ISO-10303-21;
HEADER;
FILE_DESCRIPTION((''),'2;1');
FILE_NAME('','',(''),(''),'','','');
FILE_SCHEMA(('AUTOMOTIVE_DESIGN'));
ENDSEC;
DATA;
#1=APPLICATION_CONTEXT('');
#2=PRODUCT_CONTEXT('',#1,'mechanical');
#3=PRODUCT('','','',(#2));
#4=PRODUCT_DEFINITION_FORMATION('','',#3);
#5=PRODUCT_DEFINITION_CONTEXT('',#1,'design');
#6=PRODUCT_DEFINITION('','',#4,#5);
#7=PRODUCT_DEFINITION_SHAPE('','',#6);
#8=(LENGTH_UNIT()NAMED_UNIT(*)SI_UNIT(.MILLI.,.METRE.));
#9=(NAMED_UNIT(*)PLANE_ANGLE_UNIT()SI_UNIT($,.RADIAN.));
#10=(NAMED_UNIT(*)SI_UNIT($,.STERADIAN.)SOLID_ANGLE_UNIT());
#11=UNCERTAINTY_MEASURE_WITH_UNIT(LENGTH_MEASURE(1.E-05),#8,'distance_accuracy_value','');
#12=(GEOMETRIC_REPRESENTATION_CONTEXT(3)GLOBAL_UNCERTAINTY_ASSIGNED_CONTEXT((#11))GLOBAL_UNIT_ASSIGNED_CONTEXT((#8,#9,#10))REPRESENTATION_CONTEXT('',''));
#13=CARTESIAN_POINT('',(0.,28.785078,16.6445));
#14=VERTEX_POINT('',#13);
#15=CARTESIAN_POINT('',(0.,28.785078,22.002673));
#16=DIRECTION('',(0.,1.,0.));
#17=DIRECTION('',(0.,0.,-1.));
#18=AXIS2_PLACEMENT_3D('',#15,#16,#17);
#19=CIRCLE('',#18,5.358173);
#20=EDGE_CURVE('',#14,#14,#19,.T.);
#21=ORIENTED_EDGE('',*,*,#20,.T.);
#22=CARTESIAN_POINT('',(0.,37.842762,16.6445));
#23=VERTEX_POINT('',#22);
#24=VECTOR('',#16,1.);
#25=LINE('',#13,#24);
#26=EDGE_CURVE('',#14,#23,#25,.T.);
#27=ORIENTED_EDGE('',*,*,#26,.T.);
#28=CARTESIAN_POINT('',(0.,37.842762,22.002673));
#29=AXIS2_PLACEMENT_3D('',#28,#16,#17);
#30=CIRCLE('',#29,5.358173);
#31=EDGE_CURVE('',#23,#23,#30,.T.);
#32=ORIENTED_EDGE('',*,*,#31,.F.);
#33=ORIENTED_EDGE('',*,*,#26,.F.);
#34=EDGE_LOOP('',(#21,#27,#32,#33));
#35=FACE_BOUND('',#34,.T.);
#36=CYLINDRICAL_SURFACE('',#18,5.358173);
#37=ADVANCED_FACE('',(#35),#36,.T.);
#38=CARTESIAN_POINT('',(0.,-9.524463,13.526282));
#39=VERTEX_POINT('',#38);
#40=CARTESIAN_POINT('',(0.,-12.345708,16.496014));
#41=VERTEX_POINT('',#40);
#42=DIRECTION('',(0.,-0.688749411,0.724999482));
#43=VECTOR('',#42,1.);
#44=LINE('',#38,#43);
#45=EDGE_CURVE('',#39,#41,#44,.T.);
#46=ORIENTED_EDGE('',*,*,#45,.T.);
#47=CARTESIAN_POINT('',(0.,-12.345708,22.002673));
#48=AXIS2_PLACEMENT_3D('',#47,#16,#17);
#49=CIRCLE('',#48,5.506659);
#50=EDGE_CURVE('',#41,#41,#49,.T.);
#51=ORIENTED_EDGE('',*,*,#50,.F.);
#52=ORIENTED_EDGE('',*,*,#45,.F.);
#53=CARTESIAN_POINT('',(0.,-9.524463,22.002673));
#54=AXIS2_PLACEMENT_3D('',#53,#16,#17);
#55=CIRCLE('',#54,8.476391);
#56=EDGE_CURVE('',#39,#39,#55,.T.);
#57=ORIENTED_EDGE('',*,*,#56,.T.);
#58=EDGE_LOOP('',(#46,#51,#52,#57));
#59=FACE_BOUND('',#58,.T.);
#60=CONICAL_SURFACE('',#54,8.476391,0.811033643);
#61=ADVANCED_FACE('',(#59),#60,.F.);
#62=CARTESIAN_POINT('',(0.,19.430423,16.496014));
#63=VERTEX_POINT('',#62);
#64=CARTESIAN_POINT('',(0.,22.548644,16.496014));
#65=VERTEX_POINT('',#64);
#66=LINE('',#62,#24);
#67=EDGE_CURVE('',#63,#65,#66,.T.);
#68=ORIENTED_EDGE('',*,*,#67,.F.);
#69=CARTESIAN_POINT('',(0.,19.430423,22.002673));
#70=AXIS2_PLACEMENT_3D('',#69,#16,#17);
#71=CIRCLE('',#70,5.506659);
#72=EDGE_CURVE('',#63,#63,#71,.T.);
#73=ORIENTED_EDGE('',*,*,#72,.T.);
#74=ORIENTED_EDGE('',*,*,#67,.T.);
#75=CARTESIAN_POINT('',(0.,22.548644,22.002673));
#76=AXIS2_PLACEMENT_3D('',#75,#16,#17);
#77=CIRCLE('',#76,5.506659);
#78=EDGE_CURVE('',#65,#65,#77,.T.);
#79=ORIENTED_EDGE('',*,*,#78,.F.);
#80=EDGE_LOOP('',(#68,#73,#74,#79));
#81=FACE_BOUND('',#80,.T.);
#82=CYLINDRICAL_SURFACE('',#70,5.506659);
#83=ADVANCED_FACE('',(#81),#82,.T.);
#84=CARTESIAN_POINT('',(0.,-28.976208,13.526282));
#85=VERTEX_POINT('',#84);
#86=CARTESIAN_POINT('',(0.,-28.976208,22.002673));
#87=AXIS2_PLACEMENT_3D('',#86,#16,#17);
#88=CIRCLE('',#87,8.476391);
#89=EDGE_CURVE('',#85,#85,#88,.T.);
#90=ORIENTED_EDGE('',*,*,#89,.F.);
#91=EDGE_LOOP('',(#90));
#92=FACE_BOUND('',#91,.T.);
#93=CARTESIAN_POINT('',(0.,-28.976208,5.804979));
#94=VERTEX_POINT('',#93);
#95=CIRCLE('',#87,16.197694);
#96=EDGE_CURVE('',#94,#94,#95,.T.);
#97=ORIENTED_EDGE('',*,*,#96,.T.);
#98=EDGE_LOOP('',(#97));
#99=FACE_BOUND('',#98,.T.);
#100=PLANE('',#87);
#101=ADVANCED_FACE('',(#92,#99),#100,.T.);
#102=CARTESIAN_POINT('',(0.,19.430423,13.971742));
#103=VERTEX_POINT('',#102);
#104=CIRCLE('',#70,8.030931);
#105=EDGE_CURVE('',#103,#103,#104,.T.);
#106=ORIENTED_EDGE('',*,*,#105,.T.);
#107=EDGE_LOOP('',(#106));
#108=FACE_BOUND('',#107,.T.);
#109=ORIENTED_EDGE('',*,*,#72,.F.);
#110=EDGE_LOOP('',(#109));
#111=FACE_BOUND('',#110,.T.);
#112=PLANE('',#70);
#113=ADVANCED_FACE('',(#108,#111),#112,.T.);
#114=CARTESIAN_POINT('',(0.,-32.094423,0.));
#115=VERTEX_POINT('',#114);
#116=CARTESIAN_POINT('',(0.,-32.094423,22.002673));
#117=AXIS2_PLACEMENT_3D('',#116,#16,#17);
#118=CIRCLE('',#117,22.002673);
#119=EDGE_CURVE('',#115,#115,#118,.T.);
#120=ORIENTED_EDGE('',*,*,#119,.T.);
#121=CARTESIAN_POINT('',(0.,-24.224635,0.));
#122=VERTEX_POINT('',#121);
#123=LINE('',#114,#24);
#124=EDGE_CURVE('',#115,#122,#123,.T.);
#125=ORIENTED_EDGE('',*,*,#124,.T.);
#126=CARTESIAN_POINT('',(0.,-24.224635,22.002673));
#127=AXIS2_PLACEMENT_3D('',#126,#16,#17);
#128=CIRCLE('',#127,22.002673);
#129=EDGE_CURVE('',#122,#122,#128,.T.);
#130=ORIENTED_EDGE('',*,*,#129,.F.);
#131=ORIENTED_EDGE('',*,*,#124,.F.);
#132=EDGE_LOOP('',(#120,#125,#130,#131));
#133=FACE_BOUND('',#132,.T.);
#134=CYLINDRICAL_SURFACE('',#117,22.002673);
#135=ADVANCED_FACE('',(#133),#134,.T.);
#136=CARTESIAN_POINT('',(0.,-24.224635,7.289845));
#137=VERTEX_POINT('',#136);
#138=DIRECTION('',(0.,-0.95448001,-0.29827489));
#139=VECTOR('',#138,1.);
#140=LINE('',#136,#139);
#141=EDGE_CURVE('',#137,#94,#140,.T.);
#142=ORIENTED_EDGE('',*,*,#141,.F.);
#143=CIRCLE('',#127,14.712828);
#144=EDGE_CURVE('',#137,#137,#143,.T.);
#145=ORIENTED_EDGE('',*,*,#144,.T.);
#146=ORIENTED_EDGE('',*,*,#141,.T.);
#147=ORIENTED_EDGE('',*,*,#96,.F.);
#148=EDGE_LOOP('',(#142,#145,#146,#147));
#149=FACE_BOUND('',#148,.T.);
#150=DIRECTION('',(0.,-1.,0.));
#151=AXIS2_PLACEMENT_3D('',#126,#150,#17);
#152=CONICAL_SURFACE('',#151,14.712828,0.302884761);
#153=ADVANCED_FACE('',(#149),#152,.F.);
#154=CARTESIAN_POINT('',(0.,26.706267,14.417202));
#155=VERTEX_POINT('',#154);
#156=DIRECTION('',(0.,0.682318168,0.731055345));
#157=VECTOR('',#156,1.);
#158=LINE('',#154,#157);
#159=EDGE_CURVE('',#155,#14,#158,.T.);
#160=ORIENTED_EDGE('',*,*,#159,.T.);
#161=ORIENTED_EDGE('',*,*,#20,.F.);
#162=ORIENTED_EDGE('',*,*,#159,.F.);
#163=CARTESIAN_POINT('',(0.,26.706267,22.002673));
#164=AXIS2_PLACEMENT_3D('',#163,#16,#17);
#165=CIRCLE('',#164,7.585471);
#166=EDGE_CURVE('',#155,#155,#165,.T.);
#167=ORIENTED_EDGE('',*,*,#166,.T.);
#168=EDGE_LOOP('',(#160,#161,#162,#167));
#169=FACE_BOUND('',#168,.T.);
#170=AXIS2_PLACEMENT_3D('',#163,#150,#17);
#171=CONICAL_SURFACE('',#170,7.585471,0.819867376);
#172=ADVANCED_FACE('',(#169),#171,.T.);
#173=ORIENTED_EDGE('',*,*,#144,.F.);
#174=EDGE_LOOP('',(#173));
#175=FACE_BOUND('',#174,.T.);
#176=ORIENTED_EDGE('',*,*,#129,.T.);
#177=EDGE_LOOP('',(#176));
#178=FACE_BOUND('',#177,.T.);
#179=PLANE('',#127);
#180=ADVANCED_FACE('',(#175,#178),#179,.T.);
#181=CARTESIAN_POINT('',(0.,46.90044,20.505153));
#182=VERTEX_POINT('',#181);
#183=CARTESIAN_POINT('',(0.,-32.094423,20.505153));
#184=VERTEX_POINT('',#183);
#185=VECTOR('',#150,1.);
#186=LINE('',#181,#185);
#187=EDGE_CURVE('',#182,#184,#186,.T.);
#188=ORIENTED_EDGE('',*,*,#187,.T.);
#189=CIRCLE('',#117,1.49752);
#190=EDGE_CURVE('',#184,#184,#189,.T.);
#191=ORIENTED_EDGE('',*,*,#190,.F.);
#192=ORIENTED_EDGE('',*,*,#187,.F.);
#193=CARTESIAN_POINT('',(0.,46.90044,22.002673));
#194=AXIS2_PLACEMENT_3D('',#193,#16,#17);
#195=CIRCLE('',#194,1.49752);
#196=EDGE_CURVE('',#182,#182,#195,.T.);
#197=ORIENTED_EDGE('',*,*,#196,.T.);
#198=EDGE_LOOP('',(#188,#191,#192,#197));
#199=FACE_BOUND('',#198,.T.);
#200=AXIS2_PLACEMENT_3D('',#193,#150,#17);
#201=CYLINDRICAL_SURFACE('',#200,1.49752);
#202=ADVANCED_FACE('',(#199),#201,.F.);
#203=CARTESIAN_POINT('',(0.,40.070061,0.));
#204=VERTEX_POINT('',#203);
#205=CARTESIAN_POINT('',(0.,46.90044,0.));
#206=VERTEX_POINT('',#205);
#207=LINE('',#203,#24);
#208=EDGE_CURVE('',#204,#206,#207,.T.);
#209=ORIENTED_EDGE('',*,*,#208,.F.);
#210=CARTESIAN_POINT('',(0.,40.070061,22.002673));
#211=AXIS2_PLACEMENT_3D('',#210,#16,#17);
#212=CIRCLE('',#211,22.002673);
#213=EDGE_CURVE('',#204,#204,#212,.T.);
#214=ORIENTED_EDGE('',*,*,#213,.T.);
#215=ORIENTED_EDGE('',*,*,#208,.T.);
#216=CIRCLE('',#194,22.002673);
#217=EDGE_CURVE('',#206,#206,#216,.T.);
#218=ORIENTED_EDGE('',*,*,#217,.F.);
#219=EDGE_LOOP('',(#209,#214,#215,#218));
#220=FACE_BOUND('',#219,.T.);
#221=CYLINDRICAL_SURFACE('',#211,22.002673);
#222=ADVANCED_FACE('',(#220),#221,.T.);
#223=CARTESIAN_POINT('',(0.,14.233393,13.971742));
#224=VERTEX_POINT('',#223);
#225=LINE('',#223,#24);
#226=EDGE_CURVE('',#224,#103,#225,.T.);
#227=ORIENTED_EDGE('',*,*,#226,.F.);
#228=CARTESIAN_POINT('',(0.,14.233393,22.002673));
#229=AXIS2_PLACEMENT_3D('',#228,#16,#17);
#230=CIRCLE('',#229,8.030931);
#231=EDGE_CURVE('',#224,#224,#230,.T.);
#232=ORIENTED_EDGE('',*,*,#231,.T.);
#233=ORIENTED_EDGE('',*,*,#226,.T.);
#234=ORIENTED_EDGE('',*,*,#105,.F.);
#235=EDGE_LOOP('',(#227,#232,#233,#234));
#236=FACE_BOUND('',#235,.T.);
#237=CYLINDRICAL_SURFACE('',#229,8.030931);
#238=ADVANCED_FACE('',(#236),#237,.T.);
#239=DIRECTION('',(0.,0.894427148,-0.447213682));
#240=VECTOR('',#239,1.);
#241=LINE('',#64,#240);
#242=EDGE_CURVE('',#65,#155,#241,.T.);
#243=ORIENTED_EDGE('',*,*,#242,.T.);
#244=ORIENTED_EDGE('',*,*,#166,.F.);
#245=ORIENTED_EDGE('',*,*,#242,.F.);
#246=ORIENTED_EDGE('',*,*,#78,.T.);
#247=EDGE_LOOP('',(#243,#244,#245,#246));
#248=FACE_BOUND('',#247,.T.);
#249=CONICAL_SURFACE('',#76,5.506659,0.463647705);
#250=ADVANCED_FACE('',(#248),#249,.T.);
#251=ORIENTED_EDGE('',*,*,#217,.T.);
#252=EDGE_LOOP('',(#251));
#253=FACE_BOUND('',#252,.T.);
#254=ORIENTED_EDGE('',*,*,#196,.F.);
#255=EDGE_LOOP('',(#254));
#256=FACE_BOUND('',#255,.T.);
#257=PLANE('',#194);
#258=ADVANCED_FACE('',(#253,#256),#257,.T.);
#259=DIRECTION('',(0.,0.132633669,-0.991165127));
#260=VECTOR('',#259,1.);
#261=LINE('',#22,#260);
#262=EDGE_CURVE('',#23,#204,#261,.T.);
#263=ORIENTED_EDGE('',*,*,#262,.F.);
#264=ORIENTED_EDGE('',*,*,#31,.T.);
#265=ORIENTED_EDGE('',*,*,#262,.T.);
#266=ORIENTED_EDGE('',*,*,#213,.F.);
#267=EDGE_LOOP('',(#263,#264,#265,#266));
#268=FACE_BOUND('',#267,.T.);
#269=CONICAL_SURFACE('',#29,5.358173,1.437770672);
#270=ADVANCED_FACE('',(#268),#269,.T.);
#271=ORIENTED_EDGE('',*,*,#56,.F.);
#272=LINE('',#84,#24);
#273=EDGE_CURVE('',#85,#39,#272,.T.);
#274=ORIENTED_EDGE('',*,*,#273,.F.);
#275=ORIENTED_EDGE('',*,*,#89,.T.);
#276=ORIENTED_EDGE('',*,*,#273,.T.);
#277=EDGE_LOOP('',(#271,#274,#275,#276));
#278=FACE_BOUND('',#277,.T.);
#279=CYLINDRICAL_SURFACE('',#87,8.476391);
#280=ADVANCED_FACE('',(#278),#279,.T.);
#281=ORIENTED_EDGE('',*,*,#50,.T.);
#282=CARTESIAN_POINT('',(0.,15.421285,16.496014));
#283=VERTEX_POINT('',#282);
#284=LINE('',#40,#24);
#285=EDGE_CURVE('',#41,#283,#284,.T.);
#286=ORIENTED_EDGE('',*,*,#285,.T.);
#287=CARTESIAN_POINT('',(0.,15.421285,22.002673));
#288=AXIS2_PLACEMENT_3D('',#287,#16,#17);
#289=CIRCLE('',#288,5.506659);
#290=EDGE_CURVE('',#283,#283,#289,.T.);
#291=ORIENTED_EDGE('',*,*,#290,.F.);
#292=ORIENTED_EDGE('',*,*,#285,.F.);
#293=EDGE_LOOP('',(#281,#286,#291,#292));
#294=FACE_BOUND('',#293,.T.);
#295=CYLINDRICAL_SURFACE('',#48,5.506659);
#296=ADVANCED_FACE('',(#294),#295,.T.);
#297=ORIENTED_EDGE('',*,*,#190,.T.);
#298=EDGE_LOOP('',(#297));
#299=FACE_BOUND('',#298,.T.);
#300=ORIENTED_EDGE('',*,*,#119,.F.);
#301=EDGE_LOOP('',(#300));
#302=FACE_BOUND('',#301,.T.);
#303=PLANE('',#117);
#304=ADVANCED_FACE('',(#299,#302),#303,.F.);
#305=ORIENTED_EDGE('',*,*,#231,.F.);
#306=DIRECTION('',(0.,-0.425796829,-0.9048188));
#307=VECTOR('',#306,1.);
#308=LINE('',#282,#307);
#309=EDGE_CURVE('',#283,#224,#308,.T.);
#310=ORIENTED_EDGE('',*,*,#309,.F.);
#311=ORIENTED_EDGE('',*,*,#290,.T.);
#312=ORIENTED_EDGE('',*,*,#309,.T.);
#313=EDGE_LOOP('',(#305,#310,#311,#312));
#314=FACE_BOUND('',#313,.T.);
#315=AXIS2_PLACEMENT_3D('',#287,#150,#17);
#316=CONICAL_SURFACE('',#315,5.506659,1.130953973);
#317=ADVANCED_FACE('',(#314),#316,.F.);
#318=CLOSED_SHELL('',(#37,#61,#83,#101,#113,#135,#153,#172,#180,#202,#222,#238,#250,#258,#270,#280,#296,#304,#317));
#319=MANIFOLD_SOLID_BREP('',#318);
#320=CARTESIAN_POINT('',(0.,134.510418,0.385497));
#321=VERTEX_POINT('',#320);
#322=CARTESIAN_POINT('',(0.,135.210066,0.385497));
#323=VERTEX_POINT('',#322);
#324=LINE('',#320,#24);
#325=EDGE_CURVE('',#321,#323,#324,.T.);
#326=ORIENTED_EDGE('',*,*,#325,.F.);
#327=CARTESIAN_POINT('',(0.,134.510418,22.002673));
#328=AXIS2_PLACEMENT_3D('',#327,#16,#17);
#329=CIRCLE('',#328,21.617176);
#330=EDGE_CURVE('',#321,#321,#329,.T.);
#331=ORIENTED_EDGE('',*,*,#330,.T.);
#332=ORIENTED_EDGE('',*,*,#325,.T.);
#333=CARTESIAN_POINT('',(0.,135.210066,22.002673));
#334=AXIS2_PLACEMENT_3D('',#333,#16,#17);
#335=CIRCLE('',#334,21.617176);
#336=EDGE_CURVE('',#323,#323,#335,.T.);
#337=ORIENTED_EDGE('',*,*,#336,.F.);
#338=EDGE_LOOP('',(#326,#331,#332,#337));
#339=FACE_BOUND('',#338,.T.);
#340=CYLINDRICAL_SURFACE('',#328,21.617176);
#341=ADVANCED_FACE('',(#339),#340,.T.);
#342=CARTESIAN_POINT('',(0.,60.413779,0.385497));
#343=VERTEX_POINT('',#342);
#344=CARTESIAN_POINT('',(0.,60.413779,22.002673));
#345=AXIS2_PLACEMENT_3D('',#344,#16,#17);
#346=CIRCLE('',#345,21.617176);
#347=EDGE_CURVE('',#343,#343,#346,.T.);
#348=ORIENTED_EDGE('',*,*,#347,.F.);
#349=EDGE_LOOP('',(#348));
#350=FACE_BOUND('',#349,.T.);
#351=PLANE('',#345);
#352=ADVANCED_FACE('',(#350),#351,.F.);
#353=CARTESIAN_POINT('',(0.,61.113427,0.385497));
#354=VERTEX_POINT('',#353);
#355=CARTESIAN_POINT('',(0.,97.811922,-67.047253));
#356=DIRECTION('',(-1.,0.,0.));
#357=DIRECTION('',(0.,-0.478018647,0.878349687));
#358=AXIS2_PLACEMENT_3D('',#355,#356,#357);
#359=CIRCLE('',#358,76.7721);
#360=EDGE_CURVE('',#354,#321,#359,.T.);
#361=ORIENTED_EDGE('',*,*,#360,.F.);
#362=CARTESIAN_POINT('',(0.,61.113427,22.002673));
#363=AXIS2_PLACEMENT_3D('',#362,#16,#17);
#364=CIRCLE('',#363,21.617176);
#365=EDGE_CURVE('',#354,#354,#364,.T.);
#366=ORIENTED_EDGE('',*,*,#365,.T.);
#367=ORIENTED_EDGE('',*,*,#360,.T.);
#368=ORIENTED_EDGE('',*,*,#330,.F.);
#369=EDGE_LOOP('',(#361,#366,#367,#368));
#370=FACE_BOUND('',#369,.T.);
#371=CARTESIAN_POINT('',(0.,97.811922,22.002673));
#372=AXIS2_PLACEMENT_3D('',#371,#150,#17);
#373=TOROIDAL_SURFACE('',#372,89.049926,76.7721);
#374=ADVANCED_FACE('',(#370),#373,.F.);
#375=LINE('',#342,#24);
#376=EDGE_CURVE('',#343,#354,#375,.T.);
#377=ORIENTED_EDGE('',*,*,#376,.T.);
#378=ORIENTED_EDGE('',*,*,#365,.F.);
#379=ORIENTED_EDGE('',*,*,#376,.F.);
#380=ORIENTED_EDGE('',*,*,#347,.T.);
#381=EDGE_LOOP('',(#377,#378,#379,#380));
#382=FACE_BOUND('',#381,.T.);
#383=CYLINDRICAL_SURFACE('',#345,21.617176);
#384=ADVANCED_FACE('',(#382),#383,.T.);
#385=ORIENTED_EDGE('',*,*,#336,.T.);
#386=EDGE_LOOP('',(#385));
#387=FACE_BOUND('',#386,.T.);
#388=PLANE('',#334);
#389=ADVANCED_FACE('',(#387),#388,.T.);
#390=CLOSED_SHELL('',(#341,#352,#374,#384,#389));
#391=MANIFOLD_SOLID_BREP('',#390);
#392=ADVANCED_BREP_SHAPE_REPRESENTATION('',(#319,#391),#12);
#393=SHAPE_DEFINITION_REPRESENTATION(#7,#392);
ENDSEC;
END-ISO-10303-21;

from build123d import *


with BuildPart() as f1:
    # F0 (on Right) → F1 (revolve)
    with BuildSketch(Plane.YZ):
        Polygon((-32.094423, 20.505153), (-32.094423, 0), (-24.224635, 0), (-24.224635, 7.289845), (-28.976208, 5.804979), (-28.976208, 13.526282), (-9.524463, 13.526282), (-12.345708, 16.496014), (15.421285, 16.496014), (14.233393, 13.971742), (19.430423, 13.971742), (19.430423, 16.496014), (22.548644, 16.496014), (26.706267, 14.417202), (28.785078, 16.6445), (37.842762, 16.6445), (40.070061, 0), (46.90044, 0), (46.90044, 20.505153), align=None)
        with BuildLine():
            ThreePointArc((61.113427, 0.385497), (97.811922, 9.724847), (134.510418, 0.385497))
            Line((134.510418, 0.385497), (135.210066, 0.385497))
            Line((135.210066, 0.385497), (135.210066, 22.002673))
            Line((135.210066, 22.002673), (60.413779, 22.002673))
            Line((60.413779, 22.002673), (60.413779, 0.385497))
            Line((60.413779, 0.385497), (61.113427, 0.385497))
        make_face()
    revolve(axis=Axis((0, 97.811922, 22.002673), (0, 1, 0)))


solid = f1.part
